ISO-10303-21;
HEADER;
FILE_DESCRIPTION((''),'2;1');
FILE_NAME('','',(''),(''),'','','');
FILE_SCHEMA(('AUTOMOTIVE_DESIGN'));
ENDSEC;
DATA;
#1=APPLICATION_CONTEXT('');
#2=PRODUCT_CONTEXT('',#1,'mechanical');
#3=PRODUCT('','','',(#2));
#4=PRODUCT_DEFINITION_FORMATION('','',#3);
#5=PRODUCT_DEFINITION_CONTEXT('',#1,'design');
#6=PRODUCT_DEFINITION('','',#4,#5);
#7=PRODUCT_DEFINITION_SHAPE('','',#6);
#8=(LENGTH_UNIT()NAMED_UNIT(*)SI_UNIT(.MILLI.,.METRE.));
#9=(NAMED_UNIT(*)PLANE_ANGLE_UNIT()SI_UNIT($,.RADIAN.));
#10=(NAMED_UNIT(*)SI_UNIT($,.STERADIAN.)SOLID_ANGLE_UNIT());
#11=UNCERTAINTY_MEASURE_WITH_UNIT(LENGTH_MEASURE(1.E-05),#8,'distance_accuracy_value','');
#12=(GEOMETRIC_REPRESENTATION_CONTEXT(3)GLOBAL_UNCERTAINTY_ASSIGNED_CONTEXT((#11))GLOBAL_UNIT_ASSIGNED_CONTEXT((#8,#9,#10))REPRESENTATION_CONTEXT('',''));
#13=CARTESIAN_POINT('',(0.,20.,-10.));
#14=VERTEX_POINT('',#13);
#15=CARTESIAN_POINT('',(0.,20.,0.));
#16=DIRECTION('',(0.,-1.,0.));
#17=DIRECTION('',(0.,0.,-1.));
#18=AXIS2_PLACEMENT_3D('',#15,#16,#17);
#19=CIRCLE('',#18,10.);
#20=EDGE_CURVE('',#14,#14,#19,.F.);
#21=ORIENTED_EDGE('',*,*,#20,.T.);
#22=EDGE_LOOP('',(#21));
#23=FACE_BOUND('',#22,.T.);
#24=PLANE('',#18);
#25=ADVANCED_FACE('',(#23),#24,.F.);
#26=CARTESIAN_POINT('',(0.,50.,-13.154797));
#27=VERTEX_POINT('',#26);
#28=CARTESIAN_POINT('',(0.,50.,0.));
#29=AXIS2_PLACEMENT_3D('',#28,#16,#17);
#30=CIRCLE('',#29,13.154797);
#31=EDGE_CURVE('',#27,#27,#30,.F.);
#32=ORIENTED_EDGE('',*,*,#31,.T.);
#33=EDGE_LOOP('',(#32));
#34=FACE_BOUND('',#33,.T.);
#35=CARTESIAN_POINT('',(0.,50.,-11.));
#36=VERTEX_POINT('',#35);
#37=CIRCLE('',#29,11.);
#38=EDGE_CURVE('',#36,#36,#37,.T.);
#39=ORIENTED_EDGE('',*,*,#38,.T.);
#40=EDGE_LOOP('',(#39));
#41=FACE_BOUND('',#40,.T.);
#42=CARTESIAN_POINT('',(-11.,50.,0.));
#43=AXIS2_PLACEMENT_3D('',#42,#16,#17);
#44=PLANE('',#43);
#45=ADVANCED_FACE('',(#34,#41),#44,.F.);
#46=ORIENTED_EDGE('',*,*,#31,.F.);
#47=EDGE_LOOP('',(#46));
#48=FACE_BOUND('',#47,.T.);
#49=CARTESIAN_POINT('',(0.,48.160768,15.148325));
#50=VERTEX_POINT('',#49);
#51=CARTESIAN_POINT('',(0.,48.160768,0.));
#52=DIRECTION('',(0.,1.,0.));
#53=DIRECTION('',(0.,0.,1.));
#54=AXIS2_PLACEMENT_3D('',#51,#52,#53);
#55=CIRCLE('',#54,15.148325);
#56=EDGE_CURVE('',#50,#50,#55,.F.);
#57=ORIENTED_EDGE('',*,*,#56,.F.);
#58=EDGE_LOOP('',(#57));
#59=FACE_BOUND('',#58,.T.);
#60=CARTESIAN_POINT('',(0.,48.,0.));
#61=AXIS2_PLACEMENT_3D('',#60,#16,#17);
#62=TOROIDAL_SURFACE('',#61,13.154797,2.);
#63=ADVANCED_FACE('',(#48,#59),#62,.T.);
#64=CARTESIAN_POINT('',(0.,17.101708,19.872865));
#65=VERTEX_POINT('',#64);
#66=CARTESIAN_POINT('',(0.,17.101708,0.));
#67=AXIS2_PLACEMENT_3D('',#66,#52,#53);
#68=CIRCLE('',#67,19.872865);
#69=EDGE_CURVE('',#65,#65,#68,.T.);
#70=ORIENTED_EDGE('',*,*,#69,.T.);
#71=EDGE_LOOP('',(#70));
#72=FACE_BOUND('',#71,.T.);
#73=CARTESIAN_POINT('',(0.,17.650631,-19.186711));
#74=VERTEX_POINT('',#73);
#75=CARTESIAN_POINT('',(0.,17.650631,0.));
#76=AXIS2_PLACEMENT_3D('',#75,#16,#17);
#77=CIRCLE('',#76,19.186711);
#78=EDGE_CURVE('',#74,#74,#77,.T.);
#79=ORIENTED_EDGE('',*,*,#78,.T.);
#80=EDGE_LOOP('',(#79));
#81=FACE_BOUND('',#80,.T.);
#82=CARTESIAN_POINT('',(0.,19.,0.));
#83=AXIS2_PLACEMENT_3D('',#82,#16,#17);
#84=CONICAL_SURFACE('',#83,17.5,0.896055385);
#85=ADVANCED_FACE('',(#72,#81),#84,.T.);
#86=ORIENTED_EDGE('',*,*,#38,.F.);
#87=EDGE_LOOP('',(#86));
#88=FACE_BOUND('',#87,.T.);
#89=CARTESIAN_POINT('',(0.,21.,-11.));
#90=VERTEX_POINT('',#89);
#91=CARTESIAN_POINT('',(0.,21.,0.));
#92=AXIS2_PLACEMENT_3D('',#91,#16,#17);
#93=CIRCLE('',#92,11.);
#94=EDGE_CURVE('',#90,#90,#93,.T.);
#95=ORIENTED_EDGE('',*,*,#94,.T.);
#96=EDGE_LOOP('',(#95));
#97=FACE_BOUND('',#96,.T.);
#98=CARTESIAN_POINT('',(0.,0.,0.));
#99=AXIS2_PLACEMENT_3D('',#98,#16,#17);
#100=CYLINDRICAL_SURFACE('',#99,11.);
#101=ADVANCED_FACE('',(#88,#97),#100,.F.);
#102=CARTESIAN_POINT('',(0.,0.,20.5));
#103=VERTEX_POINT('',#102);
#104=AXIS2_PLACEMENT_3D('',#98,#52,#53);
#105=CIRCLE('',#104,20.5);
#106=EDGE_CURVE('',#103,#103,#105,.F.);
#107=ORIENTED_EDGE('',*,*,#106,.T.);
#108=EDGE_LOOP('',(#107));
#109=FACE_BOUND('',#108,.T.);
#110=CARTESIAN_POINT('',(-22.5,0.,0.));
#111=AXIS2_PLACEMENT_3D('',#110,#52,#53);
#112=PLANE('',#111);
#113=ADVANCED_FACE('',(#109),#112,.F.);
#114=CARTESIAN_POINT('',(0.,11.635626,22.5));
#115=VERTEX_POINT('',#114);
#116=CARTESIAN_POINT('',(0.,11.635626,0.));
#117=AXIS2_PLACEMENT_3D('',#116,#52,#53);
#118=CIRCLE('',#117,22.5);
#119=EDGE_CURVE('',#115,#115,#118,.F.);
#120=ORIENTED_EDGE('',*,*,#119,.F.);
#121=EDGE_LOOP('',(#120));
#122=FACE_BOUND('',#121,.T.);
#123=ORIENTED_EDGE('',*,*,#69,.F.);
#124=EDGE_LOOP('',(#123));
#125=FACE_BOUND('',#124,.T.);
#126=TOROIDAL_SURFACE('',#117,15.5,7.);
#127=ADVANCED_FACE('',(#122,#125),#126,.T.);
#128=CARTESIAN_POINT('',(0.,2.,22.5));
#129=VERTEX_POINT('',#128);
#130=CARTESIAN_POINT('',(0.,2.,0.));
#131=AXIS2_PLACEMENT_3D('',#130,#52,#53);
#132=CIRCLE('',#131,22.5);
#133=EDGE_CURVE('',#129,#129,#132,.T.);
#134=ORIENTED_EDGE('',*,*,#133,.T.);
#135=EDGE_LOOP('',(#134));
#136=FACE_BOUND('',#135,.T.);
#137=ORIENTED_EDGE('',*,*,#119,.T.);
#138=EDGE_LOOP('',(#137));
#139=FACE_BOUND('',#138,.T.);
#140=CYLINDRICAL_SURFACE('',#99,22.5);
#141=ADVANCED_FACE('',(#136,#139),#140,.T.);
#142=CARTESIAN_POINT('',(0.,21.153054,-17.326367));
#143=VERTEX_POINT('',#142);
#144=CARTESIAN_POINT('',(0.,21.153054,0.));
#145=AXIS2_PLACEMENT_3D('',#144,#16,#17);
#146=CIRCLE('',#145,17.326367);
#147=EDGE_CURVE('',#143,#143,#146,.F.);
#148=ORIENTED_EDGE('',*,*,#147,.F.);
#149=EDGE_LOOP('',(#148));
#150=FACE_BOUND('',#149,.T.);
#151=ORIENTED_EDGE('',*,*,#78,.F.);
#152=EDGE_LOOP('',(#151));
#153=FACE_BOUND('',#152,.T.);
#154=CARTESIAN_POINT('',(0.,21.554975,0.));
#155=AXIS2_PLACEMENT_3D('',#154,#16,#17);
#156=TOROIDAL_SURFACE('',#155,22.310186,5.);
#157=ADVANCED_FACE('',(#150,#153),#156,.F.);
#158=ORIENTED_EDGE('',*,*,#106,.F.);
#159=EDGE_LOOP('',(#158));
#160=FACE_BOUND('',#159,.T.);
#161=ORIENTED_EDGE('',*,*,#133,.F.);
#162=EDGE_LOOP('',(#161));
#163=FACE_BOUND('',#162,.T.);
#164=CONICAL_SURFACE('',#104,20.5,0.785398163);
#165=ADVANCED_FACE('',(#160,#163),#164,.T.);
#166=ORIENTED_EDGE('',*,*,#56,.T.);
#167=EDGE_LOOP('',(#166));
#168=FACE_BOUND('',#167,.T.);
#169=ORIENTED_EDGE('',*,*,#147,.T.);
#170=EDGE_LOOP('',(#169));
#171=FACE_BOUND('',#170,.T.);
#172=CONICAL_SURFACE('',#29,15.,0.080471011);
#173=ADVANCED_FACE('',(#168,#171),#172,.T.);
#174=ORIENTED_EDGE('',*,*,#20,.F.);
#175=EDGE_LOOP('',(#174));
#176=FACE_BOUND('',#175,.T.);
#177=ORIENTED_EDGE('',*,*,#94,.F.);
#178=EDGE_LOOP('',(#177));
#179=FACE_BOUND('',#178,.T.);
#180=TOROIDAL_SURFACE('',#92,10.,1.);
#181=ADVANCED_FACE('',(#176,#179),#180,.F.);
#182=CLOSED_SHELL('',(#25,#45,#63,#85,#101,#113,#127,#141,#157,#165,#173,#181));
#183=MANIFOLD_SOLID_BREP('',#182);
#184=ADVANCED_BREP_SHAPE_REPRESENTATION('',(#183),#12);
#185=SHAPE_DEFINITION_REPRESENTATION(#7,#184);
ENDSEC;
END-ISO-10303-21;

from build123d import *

# Parameters (mm, degrees)
FILLET_1_R     = 2
FILLET_2_R     = 5
FILLET_3_R     = 7
CHAMFER_1_SIZE = 2
FILLET_4_R     = 1


with BuildPart() as part:
    # Эскиз1 → Повернуть1 (revolve)
    with BuildSketch(Plane.XY, mode=Mode.PRIVATE) as revolve_1_sk:
        Polygon((0, 20), (-11, 20), (-11, 50), (-15, 50), (-17.5, 19), (-22.5, 15), (-22.5, 0), (0, 0), align=None)
    revolve(revolve_1_sk.sketch.rotate(Axis((0, 0, 0), (0, 1, 0)), 270), axis=Axis((0, 0, 0), (0, 1, 0)))

    # Скругление1
    fillet_1_edges = [part.edges().sort_by_distance(p)[0] for p in [
        (0, 50, 15),
    ]]
    fillet(fillet_1_edges, radius=FILLET_1_R)

    # Скругление2
    fillet_2_edges = [part.edges().sort_by_distance(p)[0] for p in [
        (0, 19, 17.5),
    ]]
    fillet(fillet_2_edges, radius=FILLET_2_R)

    # Скругление3
    fillet_3_edges = [part.edges().sort_by_distance(p)[0] for p in [
        (0, 15, 22.5),
    ]]
    fillet(fillet_3_edges, radius=FILLET_3_R)

    # Фаска1
    chamfer_1_edges = [part.edges().sort_by_distance(p)[0] for p in [
        (0, 0, 22.5),
    ]]
    chamfer(chamfer_1_edges, length=CHAMFER_1_SIZE)

    # Скругление4
    fillet_4_edges = [part.edges().sort_by_distance(p)[0] for p in [
        (0, 20, 11),
    ]]
    fillet(fillet_4_edges, radius=FILLET_4_R)


solid = part.part
